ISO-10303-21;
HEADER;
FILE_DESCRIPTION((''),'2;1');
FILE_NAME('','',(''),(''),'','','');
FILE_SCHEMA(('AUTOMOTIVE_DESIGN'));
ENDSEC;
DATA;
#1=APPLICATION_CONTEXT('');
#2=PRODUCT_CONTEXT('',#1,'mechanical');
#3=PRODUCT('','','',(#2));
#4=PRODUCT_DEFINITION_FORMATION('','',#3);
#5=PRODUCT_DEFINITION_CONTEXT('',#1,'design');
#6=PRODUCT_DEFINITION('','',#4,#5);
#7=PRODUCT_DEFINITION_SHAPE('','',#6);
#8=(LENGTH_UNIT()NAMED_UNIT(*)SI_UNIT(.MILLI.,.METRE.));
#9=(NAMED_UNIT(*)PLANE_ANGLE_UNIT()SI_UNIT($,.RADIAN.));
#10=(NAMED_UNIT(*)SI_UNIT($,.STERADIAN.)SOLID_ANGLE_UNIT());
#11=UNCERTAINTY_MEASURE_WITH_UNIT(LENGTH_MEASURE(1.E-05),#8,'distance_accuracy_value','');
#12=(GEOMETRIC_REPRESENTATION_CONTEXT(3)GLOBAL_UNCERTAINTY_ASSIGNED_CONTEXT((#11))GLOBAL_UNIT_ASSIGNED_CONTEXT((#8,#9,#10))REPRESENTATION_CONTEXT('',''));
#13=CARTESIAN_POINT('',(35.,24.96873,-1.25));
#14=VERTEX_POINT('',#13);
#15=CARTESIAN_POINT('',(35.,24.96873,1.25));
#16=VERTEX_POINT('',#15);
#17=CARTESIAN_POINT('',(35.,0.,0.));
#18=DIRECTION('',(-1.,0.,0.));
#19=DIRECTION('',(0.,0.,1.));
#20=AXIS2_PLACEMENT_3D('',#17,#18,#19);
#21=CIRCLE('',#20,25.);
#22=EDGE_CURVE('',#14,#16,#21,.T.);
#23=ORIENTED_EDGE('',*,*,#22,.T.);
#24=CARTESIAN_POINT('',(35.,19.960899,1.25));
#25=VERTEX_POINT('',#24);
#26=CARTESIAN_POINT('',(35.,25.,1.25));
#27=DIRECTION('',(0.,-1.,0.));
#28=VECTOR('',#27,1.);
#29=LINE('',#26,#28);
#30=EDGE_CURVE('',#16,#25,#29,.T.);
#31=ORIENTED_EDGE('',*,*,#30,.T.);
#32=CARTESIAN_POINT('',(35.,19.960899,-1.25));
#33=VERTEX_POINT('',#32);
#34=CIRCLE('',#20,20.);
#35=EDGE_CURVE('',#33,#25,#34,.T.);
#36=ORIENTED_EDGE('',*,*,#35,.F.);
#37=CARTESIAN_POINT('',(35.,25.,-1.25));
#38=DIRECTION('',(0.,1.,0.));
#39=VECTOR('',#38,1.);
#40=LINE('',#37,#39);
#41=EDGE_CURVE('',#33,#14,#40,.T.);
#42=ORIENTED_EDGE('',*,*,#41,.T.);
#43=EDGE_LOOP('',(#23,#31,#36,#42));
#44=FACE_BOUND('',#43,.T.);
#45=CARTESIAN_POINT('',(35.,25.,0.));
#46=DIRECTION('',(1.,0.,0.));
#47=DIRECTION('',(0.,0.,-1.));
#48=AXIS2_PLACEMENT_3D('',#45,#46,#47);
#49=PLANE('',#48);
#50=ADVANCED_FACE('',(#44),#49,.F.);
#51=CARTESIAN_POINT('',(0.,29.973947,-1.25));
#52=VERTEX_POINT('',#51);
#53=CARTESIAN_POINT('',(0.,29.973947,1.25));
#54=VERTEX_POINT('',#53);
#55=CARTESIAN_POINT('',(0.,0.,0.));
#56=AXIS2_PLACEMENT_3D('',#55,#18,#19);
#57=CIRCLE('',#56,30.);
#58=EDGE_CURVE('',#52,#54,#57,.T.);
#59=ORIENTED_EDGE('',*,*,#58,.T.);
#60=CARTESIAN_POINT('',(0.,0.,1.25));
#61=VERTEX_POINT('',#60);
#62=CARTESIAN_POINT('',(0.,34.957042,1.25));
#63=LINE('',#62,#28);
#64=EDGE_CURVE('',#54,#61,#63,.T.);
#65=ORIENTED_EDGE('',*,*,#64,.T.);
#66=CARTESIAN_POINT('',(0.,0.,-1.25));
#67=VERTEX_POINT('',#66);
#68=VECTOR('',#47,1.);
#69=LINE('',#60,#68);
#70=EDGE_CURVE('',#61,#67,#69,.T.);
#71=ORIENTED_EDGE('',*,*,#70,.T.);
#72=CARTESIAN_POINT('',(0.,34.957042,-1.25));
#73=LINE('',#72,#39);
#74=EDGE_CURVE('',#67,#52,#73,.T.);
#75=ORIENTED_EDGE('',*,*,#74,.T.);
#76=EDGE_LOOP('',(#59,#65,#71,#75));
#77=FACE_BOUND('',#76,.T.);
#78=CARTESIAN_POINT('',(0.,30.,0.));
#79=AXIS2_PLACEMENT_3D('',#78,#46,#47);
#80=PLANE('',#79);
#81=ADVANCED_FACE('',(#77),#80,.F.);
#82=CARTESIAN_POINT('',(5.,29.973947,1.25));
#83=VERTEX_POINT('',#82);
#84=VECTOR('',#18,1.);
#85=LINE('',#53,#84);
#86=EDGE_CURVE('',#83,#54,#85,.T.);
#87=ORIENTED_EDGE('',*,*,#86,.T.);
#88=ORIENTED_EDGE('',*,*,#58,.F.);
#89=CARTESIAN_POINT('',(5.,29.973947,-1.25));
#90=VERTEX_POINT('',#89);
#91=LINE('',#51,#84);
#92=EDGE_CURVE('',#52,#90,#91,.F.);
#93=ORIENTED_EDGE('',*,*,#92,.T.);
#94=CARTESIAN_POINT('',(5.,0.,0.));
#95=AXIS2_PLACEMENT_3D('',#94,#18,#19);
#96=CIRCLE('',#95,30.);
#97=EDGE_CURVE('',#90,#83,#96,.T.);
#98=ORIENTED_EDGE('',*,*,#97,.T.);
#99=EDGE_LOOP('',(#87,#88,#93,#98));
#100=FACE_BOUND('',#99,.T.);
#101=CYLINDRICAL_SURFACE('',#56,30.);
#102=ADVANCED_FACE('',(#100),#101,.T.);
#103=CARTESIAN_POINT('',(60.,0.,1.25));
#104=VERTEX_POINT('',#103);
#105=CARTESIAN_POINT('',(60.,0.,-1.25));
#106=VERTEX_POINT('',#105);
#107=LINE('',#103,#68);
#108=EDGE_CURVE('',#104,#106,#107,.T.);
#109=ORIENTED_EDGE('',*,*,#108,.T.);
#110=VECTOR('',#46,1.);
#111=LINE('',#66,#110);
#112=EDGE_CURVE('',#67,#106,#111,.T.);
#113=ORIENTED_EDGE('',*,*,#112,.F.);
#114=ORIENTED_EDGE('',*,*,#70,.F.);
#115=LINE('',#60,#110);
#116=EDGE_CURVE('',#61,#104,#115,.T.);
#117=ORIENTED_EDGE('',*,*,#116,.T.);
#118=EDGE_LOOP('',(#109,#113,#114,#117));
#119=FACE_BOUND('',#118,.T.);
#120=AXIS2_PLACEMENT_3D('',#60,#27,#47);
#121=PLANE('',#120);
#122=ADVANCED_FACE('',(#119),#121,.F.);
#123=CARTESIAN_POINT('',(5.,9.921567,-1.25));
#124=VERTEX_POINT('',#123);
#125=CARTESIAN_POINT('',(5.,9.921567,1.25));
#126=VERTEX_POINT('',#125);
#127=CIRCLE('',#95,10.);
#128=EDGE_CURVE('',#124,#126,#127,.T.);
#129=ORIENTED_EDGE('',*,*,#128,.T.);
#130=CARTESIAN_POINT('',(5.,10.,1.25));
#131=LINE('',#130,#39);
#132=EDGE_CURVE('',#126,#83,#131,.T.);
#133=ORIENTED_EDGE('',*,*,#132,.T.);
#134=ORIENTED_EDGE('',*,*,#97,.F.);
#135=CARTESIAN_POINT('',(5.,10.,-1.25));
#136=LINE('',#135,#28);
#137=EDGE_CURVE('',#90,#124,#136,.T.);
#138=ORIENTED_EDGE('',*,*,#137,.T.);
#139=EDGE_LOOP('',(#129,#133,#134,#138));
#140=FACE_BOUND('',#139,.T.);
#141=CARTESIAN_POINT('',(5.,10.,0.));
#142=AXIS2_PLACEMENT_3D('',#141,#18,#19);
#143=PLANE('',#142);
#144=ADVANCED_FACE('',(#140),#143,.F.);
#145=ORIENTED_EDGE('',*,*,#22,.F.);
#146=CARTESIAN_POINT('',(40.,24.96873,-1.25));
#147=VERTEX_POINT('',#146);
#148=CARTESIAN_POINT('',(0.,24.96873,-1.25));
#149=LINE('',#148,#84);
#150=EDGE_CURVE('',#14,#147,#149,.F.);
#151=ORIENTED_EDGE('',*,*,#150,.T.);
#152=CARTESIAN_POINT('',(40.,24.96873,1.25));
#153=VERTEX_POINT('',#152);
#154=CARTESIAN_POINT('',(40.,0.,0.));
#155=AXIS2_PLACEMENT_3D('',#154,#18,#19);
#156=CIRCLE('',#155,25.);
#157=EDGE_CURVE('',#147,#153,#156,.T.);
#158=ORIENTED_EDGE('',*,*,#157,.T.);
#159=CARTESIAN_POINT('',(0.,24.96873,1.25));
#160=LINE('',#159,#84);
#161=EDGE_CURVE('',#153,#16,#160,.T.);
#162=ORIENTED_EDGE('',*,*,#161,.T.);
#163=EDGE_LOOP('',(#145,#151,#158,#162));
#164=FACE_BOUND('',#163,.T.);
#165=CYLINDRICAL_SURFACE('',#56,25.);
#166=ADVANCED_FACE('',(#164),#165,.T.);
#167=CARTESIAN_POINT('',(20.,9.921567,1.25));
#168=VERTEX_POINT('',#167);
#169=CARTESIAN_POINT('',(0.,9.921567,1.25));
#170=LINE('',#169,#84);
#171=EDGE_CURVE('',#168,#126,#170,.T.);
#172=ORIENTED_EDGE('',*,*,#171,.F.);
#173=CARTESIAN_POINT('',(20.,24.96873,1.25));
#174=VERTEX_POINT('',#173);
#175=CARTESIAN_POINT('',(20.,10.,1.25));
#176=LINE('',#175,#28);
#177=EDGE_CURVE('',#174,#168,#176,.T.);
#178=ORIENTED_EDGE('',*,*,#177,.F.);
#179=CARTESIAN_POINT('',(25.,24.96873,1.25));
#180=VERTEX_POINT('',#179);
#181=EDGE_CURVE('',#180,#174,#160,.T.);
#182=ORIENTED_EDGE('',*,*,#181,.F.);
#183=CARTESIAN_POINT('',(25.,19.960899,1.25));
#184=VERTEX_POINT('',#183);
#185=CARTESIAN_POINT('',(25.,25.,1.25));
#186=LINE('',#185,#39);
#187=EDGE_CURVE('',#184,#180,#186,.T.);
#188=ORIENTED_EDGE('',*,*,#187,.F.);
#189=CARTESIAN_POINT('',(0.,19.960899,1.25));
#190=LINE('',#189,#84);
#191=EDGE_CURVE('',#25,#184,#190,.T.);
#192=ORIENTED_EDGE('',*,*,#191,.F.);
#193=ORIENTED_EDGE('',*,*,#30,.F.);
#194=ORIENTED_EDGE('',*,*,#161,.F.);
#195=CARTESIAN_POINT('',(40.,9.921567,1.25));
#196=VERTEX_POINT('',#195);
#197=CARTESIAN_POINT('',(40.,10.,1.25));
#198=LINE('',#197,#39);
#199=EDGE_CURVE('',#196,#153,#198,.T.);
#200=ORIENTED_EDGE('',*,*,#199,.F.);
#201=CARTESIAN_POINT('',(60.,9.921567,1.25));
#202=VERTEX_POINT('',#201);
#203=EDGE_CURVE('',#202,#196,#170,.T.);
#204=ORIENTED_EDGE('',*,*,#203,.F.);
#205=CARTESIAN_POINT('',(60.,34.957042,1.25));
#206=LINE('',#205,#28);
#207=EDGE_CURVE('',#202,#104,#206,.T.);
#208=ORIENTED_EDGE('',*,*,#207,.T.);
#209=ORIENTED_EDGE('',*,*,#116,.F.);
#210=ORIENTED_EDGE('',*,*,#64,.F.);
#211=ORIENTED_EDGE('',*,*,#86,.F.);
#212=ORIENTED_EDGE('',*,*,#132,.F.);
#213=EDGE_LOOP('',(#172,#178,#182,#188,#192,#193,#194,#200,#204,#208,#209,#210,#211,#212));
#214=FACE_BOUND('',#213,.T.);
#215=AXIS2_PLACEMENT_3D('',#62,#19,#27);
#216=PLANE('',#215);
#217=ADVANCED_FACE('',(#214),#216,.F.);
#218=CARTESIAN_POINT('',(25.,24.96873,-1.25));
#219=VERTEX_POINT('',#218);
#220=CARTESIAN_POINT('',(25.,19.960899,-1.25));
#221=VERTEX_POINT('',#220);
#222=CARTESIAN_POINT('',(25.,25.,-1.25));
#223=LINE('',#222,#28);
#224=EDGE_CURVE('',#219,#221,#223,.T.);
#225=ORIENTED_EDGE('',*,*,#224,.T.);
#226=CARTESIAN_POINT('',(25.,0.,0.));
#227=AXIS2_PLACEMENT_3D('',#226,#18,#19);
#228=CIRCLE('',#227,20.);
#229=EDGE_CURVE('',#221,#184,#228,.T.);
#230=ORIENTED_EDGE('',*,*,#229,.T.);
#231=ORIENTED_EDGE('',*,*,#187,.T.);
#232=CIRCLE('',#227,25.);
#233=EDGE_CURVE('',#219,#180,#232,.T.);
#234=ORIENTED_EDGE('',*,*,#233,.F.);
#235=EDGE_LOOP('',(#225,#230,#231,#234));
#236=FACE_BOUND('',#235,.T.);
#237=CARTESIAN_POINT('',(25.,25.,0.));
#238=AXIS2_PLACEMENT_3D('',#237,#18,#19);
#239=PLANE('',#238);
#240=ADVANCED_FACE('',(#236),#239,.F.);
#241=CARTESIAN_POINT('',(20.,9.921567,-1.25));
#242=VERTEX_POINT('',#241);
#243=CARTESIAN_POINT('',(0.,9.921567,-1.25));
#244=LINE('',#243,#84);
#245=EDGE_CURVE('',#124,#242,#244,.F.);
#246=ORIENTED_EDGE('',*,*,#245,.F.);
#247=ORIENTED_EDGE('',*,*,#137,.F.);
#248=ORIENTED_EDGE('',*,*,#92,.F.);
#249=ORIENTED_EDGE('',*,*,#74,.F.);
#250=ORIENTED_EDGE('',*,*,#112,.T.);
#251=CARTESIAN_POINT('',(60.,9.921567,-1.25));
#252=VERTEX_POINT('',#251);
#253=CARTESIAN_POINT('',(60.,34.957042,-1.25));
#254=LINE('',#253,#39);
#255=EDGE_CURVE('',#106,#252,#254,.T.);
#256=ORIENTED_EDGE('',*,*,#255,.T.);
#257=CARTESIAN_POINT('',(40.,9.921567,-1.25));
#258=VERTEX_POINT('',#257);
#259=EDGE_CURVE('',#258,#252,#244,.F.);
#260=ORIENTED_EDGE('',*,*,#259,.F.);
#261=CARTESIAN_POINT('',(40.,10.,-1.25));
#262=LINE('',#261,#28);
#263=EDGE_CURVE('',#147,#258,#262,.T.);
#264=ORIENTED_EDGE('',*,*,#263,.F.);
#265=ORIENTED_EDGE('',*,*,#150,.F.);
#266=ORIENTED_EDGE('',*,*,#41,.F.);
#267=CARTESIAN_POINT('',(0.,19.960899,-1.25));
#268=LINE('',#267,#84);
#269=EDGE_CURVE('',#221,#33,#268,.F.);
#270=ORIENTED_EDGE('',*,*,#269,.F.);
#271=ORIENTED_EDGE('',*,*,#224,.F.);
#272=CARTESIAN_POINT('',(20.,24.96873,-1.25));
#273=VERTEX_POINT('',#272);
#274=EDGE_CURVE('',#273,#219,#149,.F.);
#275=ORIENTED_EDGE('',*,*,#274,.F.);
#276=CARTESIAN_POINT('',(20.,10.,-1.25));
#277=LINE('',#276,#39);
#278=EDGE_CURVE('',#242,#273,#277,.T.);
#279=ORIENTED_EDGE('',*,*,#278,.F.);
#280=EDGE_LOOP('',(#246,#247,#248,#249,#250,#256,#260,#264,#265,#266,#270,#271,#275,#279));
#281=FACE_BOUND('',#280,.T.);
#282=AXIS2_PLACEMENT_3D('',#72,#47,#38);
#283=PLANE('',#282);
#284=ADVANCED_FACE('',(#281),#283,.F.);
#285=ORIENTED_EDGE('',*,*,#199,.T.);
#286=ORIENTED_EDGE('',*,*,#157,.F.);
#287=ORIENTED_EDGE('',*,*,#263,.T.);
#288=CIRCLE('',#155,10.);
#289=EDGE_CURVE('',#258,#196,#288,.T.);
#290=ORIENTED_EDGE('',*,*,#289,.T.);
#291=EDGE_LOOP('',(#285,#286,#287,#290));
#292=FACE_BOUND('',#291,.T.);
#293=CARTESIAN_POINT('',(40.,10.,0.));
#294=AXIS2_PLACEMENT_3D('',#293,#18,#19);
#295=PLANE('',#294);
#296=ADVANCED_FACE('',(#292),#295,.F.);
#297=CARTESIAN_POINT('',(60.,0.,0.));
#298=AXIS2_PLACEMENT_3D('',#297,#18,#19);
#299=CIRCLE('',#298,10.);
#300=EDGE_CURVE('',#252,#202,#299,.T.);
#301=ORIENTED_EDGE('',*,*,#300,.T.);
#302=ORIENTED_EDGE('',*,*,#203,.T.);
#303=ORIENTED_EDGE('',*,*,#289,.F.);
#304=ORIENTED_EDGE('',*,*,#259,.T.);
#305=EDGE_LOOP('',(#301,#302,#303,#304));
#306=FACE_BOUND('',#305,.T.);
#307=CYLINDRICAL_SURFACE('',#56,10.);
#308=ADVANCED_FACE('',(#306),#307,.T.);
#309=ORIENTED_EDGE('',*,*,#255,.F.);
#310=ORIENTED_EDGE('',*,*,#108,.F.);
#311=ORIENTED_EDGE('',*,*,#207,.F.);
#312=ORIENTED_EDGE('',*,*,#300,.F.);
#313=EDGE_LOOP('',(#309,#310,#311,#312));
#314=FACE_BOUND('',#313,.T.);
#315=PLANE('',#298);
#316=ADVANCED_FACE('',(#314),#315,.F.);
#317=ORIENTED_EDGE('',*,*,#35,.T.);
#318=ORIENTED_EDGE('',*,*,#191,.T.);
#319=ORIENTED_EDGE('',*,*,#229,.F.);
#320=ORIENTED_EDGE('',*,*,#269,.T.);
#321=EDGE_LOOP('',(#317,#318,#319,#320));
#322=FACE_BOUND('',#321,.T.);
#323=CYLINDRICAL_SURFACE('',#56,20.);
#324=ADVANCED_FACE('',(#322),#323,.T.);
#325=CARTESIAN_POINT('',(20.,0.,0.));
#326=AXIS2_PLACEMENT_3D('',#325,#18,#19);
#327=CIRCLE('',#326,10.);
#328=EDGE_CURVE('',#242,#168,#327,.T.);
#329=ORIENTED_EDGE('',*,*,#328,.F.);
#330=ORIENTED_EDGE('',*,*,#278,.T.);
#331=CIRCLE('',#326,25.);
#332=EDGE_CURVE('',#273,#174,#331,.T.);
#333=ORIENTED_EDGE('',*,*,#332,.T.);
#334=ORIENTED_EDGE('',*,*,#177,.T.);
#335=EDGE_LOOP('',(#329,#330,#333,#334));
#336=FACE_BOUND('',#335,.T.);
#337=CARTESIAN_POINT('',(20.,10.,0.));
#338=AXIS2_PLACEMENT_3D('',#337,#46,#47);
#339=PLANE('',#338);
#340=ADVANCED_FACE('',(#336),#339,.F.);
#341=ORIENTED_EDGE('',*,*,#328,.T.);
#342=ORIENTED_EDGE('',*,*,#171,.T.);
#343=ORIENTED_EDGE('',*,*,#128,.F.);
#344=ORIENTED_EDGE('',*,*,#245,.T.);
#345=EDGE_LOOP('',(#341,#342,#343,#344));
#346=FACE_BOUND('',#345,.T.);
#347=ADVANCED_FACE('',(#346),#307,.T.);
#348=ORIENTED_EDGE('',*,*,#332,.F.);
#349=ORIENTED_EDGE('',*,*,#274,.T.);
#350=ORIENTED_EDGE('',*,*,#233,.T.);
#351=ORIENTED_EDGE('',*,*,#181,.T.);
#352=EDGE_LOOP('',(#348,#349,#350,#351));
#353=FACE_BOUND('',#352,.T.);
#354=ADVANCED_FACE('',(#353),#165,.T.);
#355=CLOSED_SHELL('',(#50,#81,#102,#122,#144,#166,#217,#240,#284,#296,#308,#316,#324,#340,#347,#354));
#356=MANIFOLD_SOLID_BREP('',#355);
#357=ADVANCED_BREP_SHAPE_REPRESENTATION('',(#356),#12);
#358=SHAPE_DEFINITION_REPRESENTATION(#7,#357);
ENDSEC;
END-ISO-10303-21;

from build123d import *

# Parameters (mm, degrees)
SKETCH2_W          = 2.5
SKETCH2_H          = 34.957041577
CUT_EXTRUDE1_DEPTH = 74.484692283


with BuildPart() as part:
    # Sketch1 → Revolve1 (revolve)
    with BuildSketch(Plane.XY, mode=Mode.PRIVATE) as revolve1_sk:
        Polygon((20, 10), (5, 10), (5, 30), (0, 30), (0, 0), (60, 0), (60, 10), (40, 10), (40, 25), (35, 25), (35, 20), (25, 20), (25, 25), (20, 25), align=None)
    revolve(revolve1_sk.sketch.rotate(Axis((0, 0, 0), (1, 0, 0)), 90), axis=Axis((0, 0, 0), (1, 0, 0)))

    # Sketch2 → Cut-Extrude1 (cut, through all)
    with BuildSketch(Plane(origin=(60, 0, 0), x_dir=(0, 0, -1), z_dir=(1, 0, 0))):
        with Locations((0, 17.478520789)):
            Rectangle(SKETCH2_W, SKETCH2_H)
    extrude(amount=-CUT_EXTRUDE1_DEPTH, mode=Mode.SUBTRACT)


solid = part.part
